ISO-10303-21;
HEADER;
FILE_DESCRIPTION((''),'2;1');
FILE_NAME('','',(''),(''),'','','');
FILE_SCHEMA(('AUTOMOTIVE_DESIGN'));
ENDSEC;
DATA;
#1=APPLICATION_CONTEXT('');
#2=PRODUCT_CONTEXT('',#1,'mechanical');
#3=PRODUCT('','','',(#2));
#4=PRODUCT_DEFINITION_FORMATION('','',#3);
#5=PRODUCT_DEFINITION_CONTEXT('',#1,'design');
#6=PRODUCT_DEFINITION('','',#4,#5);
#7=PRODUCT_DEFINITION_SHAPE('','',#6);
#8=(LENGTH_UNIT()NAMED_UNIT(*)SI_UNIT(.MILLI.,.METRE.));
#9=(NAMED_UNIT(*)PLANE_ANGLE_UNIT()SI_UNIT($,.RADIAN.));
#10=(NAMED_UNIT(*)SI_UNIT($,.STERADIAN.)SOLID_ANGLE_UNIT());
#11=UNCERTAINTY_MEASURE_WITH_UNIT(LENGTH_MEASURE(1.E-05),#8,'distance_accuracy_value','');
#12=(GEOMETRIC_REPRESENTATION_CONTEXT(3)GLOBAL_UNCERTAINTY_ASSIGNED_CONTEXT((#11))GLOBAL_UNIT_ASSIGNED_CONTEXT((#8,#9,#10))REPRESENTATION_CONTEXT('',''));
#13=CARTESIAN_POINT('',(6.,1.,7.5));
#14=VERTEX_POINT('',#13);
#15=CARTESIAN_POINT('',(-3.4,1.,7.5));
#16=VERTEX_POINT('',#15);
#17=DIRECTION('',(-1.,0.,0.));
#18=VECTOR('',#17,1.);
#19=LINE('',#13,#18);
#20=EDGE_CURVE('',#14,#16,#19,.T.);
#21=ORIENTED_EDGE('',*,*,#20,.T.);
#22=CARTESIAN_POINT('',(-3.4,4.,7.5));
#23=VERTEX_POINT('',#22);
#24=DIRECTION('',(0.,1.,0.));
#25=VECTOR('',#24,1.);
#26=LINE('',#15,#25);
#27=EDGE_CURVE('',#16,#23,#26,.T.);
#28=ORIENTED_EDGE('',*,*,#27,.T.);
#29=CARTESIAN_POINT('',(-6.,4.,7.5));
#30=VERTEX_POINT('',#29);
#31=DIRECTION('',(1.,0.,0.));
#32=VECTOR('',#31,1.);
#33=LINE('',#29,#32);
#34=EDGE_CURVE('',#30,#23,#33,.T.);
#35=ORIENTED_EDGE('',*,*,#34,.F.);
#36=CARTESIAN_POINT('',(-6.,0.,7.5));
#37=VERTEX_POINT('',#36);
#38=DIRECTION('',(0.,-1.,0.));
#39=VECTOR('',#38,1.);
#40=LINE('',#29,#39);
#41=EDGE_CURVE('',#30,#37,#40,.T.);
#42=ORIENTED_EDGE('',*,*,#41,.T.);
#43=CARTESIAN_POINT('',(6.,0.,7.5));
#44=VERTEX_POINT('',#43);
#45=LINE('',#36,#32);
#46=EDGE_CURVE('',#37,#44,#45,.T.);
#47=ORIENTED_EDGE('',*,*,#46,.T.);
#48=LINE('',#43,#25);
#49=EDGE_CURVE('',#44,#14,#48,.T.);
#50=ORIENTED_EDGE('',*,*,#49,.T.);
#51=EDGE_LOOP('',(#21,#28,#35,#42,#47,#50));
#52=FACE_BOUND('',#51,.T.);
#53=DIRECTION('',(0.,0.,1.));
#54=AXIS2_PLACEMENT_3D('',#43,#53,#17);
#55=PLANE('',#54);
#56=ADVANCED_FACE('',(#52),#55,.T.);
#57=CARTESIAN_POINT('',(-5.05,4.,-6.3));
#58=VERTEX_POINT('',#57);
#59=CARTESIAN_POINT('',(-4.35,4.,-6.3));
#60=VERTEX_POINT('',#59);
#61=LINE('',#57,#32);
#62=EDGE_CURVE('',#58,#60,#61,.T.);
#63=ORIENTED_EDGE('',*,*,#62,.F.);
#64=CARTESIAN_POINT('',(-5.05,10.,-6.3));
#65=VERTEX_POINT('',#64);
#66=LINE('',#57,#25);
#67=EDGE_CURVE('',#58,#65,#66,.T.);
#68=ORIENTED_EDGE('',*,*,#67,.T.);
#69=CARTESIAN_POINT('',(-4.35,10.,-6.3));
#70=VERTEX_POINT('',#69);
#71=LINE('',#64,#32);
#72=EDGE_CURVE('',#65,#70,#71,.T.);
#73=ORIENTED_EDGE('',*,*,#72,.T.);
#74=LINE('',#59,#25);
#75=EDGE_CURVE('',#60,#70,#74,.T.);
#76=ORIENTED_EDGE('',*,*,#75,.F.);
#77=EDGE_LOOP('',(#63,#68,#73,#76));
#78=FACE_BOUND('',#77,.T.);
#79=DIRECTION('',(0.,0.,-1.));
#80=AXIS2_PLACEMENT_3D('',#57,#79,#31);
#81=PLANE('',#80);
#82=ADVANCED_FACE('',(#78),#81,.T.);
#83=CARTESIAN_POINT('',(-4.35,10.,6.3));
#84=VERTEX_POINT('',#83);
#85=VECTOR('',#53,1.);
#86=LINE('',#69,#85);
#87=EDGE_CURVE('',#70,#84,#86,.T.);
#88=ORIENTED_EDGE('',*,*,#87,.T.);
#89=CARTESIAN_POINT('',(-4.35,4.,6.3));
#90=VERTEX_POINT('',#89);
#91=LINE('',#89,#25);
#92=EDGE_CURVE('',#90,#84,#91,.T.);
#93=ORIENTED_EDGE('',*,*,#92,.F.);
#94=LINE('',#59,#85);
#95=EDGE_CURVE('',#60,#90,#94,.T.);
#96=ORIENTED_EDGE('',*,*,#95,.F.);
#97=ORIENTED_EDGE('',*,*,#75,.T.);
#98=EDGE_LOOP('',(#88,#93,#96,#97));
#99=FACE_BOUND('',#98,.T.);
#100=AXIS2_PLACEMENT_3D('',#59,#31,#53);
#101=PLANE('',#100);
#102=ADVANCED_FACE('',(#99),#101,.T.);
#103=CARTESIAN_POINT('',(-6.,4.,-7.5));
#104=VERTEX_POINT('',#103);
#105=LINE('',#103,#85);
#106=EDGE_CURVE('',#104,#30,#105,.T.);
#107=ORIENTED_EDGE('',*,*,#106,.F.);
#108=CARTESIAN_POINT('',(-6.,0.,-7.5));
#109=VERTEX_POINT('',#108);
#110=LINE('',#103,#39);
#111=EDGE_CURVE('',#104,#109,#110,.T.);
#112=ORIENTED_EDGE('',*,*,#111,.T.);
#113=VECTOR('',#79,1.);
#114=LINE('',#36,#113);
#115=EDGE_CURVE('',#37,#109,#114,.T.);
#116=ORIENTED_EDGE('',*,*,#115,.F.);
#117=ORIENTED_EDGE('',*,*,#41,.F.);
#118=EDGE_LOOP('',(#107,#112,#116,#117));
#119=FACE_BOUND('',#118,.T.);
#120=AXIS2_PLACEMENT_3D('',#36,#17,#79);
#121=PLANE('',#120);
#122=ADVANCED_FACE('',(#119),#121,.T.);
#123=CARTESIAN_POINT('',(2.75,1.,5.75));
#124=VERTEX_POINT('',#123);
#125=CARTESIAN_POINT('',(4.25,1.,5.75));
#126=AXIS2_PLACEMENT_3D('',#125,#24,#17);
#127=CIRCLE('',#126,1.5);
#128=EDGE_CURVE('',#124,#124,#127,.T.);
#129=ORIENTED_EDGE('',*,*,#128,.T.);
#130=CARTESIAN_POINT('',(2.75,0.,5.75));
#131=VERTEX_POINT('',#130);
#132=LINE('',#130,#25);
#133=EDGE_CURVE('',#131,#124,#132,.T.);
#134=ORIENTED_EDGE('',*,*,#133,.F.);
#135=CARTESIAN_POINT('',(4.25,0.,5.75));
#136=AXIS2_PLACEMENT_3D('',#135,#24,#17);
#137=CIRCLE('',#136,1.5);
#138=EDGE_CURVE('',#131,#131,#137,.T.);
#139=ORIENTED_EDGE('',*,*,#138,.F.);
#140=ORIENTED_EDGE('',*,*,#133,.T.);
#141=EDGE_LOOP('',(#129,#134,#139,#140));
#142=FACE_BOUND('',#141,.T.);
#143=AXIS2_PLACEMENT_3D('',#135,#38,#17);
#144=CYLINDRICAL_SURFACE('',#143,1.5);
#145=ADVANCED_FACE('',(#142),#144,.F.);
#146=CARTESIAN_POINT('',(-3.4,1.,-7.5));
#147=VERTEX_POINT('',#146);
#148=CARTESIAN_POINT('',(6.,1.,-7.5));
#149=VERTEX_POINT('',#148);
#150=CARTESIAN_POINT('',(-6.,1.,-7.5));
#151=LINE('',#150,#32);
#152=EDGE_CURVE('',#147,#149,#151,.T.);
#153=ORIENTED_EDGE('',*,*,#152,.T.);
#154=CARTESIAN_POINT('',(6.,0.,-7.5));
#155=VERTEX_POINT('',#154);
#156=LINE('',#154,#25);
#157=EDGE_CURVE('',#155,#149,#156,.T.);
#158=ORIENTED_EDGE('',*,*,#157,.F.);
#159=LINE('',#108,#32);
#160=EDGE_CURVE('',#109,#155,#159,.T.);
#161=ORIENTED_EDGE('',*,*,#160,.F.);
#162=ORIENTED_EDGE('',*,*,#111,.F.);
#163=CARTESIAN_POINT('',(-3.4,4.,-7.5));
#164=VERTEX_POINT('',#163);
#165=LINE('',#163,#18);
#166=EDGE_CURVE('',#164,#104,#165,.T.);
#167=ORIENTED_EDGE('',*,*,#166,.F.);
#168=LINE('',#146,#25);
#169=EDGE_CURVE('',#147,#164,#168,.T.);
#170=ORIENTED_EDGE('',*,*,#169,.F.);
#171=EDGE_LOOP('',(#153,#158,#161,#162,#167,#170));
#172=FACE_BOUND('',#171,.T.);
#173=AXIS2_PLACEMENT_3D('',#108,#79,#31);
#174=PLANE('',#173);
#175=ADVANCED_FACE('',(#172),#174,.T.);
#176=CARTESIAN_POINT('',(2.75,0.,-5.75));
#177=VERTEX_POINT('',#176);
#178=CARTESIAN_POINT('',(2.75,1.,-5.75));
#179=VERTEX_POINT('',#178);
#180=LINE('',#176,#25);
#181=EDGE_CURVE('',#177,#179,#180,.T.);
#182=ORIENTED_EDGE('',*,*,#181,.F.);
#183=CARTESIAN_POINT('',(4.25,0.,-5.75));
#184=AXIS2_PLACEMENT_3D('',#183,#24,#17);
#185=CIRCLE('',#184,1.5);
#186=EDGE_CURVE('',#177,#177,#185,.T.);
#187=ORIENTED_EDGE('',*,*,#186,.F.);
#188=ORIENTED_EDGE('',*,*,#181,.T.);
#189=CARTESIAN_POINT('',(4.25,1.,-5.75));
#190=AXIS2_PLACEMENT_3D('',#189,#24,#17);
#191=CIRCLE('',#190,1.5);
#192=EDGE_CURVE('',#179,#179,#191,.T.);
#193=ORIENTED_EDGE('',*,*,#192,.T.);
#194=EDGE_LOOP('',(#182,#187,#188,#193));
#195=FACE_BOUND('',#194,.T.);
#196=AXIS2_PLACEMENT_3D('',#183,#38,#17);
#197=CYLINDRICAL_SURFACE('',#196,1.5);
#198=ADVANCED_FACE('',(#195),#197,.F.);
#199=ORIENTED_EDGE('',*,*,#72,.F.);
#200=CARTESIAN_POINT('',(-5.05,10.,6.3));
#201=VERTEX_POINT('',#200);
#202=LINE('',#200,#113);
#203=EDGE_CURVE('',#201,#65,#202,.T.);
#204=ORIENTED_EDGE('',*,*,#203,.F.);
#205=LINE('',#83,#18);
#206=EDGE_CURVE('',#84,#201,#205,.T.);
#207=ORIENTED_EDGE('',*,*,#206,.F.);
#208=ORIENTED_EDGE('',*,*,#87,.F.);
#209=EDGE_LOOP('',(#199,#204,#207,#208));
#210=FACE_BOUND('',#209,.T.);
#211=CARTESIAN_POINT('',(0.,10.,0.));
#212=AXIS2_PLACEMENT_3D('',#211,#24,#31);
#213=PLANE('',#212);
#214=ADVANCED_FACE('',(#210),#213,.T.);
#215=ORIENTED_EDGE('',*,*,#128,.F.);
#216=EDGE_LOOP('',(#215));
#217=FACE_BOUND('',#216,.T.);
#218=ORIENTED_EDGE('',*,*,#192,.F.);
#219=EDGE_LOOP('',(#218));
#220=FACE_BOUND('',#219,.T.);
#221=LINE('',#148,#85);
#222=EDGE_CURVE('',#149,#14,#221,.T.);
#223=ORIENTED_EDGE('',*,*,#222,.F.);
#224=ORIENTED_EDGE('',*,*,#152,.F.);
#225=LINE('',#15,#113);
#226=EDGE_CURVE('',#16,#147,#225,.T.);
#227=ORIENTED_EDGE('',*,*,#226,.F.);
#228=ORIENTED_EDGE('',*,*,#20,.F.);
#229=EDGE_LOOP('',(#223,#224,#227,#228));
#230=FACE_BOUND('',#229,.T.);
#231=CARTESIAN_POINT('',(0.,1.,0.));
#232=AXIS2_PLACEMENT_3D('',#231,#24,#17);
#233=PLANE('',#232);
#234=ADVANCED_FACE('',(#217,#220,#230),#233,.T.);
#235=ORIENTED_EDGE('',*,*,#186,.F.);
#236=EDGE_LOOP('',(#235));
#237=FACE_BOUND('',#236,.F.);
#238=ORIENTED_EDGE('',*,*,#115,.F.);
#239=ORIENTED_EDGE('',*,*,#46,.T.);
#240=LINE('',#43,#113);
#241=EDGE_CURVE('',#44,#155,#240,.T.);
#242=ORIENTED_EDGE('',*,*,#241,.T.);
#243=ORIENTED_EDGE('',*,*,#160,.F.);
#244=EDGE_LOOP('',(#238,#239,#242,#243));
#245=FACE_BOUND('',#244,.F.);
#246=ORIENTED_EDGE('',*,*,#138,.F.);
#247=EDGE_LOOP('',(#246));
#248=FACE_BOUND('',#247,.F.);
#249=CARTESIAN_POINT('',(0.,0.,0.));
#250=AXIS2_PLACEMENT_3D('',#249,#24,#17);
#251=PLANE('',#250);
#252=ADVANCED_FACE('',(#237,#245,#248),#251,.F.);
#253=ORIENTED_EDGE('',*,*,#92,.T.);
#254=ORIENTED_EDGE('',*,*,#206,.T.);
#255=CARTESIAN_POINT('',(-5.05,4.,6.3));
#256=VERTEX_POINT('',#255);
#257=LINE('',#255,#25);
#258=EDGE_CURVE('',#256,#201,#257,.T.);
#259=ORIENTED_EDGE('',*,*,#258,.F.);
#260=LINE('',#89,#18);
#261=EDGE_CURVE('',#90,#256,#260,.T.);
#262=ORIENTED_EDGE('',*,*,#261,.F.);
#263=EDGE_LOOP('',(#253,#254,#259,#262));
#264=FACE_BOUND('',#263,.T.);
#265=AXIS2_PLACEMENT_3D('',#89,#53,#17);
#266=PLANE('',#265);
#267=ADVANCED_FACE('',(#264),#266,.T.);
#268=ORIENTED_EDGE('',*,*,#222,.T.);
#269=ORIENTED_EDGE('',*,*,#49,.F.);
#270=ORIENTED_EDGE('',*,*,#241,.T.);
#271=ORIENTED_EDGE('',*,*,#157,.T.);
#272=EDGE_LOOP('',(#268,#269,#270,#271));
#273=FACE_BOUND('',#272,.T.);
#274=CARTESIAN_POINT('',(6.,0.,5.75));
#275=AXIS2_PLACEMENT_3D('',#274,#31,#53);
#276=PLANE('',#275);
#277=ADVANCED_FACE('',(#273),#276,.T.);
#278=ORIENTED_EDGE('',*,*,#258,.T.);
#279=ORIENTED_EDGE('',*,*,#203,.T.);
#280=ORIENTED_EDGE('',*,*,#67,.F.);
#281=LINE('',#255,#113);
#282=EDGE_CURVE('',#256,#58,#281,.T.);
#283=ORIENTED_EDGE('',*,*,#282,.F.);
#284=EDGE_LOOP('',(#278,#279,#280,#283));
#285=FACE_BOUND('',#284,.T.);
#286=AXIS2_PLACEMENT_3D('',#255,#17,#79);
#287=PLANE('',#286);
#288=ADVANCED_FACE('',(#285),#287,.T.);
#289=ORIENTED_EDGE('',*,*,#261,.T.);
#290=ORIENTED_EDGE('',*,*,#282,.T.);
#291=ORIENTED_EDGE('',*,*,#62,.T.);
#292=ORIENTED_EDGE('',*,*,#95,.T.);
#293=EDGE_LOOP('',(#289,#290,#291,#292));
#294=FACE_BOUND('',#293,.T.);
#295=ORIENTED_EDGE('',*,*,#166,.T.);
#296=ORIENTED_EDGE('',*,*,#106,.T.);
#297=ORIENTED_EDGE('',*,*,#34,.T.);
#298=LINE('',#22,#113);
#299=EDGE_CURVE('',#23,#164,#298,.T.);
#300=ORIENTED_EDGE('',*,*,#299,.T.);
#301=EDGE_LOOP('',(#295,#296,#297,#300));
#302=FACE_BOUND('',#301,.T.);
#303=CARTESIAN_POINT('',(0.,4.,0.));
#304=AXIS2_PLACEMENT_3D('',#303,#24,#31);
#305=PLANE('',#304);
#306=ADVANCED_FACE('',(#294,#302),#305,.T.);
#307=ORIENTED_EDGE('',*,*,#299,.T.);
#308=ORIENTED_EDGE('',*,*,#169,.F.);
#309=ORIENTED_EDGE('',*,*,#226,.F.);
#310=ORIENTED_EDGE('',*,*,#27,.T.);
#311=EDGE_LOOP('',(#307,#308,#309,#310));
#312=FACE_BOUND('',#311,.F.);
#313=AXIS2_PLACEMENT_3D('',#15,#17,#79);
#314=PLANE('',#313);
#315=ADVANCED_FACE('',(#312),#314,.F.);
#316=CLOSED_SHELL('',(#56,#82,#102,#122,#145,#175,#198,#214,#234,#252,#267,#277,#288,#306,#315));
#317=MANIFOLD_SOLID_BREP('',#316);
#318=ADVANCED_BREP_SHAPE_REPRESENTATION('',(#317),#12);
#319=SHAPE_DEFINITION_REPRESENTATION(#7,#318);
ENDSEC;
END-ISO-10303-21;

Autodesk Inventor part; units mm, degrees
ref_plane "YZ Plane" through (0, 0, 0) normal (1, 0, 0) x (0, 1, 0)
ref_plane "XZ Plane" through (0, 0, 0) normal (0, 1, 0) x (-1, 0, 0)
ref_plane "XY Plane" through (0, 0, 0) normal (0, 0, 1) x (1, 0, 0)
sketch "Sketch1" plane through (0, 0, 0) normal (0, 1, 0) x (-1, 0, 0)
  line L0 (-6, 7.5) -> (6, 7.5)
  line L1 (6, 7.5) -> (6, -7.5)
  line L2 (6, -7.5) -> (-6, -7.5)
  line L3 (-6, -7.5) -> (-6, 7.5)
  line L4 (-6, 7.5) -> (6, -7.5) construction
  line L5 (6, 7.5) -> (-6, -7.5) construction
  line L6 (-6, 7.5) -> (-4.25, 7.5)
  line L7 (-6, 5.75) -> (-6, 7.5)
  circle A0 centre (-4.25, 5.75) radius 1.5
  line L8 (0, 0) -> (-1.7804, 0)
  circle A1 centre (-4.25, -5.75) radius 1.5
  dimension "d0" = 12
  dimension "d1" = 15
  dimension "d4" = 3
  dimension "d7" = 1.75
extrude "Extrusion1" add sketch "Sketch1" along normal blind 1
sketch "Sketch2" plane through (0, 1, 0) normal (0, 1, 0) x (1, 0, 0)
  line L0 (-6, 7.5) -> (-6, -7.5) projected
  line L1 (-3.4, 7.5) -> (-6, 7.5)
  line L2 (-6, 7.5) -> (-6, -7.5)
  line L3 (-6, -7.5) -> (-3.4, -7.5)
  line L4 (-3.4, -7.5) -> (-3.4, 7.5)
  line L5 (-3.4, 7.5) -> (-6, -7.5) construction
  line L6 (-6, 7.5) -> (-3.4, -7.5) construction
  point P0 (0, 0)
  dimension "d9" = 2.6
  dimension "d10" = 15
extrude "Extrusion2" add sketch "Sketch2" along normal blind 3
sketch "Sketch3" plane through (0, 4, 0) normal (0, 1, 0) x (1, 0, 0)
  line L0 (-6, -7.5) -> (-6, -8) projected
  line L1 (6, 7.5) -> (-3.4, 7.5) projected
  line L2 (-6, 7.5) -> (-6, -7.5) projected
  line L3 (-3.4, -7.5) -> (-3.4, 7.5) projected
  line L4 (-4.35, -6.3) -> (-5.05, -6.3)
  line L5 (-5.05, -6.3) -> (-5.05, 6.3)
  line L6 (-5.05, 6.3) -> (-4.35, 6.3)
  line L7 (-4.35, 6.3) -> (-4.35, -6.3)
  line L8 (-4.35, -6.3) -> (-5.05, 6.3) construction
  line L9 (-5.05, -6.3) -> (-4.35, 6.3) construction
  point P0 (0, 0)
  point P1 (-4.7, 0)
  dimension "d13" = 12.6
  dimension "d14" = 0.7
extrude "Extrusion3" add sketch "Sketch3" along normal blind 6
properties part number "SensorPresionHumedadTemp"
